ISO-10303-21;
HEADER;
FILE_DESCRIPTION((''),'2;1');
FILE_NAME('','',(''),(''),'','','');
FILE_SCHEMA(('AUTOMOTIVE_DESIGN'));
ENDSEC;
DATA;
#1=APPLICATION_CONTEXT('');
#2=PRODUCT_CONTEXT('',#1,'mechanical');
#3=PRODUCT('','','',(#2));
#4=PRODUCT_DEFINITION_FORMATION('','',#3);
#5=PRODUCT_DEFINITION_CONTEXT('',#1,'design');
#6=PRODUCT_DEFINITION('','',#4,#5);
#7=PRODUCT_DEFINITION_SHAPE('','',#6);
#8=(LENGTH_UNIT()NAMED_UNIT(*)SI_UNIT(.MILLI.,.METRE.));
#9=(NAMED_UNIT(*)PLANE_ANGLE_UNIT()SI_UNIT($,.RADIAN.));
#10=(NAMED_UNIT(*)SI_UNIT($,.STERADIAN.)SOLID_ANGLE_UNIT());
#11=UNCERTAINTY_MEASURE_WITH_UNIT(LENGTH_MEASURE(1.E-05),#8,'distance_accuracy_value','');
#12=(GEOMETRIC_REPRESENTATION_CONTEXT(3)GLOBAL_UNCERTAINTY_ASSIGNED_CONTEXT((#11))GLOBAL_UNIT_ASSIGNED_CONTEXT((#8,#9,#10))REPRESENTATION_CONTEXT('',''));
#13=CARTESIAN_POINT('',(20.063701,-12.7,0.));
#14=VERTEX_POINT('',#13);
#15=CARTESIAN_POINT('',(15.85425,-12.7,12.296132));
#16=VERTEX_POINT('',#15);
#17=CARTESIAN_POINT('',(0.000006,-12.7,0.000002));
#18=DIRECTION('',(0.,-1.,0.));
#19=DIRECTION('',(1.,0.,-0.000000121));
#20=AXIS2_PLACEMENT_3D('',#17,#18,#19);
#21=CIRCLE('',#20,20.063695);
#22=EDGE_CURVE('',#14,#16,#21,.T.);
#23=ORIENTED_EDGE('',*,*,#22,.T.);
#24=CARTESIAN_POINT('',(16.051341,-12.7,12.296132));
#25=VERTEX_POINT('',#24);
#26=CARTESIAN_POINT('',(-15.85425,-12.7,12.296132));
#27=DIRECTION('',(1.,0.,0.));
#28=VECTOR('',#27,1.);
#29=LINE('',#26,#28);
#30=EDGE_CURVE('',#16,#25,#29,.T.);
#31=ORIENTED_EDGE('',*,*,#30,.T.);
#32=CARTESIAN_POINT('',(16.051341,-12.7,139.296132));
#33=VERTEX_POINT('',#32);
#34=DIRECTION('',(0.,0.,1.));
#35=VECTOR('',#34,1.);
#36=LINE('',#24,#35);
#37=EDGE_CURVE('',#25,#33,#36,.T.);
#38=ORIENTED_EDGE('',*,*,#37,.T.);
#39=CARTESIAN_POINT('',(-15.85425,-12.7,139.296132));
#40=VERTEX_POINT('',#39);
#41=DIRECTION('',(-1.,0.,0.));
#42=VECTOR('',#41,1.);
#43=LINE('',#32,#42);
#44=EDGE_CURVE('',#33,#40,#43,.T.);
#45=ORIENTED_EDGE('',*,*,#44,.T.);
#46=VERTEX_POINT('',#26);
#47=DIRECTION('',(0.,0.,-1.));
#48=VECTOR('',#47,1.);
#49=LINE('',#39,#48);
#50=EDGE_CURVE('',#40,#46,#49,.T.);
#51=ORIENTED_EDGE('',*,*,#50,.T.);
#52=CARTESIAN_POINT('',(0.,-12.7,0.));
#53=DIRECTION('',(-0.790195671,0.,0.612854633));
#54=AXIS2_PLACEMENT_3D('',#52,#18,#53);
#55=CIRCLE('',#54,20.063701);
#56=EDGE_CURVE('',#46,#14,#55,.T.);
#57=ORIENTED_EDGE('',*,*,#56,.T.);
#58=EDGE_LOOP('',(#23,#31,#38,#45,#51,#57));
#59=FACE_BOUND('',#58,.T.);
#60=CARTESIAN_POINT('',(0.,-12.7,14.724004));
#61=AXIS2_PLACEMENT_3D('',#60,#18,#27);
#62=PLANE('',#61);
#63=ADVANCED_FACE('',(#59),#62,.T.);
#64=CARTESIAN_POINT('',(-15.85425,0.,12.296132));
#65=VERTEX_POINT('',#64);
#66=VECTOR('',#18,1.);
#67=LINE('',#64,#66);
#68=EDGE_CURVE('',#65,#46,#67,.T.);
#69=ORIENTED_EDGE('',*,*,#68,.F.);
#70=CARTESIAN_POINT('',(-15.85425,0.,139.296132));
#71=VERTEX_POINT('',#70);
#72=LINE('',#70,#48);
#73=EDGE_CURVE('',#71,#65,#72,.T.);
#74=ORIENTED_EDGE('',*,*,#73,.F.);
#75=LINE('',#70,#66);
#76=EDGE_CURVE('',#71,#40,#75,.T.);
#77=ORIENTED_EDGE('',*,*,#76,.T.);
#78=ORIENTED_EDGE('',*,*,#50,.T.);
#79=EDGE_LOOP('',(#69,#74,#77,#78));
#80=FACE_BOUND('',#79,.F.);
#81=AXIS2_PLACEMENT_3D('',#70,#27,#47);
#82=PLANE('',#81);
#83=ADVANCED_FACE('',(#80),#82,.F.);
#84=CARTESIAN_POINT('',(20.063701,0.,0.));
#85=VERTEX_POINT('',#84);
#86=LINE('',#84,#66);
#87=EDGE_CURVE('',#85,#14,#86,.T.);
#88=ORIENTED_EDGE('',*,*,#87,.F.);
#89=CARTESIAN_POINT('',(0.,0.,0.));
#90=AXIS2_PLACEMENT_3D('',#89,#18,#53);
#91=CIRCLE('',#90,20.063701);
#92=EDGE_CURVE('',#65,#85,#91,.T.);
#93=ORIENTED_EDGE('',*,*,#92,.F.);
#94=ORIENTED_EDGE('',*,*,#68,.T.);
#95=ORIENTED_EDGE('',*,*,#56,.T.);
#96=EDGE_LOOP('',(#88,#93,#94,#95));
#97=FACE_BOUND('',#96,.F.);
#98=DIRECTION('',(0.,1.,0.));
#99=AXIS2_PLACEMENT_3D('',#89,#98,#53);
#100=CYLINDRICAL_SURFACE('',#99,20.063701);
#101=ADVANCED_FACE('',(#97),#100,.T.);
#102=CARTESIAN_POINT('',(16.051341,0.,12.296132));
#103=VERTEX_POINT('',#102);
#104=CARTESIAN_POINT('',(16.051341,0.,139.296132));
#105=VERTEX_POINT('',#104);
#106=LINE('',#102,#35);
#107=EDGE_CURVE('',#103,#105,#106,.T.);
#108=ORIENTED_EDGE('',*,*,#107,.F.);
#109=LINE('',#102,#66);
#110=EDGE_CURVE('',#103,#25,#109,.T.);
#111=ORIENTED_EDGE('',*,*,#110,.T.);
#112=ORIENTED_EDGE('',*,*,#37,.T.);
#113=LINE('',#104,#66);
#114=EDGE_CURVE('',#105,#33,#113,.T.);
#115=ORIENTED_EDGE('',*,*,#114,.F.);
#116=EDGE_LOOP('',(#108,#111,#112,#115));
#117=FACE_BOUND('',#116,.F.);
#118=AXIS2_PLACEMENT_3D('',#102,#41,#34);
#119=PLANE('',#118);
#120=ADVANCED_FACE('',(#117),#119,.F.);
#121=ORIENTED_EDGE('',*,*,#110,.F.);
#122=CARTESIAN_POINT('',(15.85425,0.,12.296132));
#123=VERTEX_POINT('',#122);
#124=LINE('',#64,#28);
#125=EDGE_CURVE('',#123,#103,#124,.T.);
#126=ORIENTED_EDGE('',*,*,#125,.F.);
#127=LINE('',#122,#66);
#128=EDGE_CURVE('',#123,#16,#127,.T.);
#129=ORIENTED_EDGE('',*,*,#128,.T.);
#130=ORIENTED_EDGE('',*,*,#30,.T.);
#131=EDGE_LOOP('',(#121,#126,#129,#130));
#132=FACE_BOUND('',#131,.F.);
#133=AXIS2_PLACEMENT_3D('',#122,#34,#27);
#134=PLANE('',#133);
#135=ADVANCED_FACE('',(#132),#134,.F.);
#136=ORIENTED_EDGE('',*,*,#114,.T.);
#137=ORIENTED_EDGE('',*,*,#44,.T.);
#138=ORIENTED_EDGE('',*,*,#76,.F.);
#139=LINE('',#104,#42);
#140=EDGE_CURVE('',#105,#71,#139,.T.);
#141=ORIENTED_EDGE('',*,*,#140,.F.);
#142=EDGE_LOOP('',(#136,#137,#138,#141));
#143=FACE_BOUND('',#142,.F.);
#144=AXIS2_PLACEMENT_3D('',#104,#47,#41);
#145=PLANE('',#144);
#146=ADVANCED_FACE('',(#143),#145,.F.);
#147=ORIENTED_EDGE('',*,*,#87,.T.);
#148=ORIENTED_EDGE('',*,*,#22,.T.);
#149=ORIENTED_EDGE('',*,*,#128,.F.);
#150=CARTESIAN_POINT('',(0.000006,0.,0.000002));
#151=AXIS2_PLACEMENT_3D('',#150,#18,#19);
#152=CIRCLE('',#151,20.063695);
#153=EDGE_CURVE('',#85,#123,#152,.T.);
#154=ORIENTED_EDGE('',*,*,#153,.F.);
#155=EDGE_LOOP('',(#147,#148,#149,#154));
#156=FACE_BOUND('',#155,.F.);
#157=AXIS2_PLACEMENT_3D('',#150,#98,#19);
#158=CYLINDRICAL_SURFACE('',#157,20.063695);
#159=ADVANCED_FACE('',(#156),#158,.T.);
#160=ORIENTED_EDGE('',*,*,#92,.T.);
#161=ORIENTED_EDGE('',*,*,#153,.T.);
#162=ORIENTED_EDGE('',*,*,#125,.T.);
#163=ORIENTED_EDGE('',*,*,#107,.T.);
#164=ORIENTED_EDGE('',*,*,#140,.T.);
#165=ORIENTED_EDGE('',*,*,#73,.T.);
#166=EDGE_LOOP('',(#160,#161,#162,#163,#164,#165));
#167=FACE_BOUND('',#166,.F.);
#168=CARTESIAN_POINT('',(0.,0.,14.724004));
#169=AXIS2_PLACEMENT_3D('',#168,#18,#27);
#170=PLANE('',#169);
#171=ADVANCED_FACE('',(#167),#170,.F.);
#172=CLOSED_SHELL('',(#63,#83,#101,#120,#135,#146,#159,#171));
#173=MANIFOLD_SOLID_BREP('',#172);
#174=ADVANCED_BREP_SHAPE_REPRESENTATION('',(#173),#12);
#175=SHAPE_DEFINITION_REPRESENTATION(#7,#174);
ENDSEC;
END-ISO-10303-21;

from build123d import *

# Parameters (mm, degrees)
F1_DEPTH = 12.7


with BuildPart() as f1:
    # F0 (on Front) → F1 (new body)
    with BuildSketch(Plane.XZ):
        with BuildLine():
            ThreePointArc((15.85425, 12.296132), (0, 20.063701), (-15.85425, 12.296132))
            Line((-15.85425, 12.296132), (15.85425, 12.296132))
        make_face()
        with BuildLine():
            Line((-15.85425, 139.296132), (-15.85425, 12.296132))
            ThreePointArc((-15.85425, 12.296132), (0, 20.063701), (15.85425, 12.296132))
            Line((15.85425, 12.296132), (16.051341, 12.296132))
            Line((16.051341, 12.296132), (16.051341, 139.296132))
            Line((16.051341, 139.296132), (-15.85425, 139.296132))
        make_face()
        with BuildLine():
            Line((15.85425, 12.296132), (-15.85425, 12.296132))
            ThreePointArc((-15.85425, 12.296132), (-6.498352, -18.98219), (20.063701, 0))
            ThreePointArc((20.063701, 0), (18.98219, 6.498352), (15.85425, 12.296132))
        make_face()
    extrude(amount=F1_DEPTH)


solid = f1.part
